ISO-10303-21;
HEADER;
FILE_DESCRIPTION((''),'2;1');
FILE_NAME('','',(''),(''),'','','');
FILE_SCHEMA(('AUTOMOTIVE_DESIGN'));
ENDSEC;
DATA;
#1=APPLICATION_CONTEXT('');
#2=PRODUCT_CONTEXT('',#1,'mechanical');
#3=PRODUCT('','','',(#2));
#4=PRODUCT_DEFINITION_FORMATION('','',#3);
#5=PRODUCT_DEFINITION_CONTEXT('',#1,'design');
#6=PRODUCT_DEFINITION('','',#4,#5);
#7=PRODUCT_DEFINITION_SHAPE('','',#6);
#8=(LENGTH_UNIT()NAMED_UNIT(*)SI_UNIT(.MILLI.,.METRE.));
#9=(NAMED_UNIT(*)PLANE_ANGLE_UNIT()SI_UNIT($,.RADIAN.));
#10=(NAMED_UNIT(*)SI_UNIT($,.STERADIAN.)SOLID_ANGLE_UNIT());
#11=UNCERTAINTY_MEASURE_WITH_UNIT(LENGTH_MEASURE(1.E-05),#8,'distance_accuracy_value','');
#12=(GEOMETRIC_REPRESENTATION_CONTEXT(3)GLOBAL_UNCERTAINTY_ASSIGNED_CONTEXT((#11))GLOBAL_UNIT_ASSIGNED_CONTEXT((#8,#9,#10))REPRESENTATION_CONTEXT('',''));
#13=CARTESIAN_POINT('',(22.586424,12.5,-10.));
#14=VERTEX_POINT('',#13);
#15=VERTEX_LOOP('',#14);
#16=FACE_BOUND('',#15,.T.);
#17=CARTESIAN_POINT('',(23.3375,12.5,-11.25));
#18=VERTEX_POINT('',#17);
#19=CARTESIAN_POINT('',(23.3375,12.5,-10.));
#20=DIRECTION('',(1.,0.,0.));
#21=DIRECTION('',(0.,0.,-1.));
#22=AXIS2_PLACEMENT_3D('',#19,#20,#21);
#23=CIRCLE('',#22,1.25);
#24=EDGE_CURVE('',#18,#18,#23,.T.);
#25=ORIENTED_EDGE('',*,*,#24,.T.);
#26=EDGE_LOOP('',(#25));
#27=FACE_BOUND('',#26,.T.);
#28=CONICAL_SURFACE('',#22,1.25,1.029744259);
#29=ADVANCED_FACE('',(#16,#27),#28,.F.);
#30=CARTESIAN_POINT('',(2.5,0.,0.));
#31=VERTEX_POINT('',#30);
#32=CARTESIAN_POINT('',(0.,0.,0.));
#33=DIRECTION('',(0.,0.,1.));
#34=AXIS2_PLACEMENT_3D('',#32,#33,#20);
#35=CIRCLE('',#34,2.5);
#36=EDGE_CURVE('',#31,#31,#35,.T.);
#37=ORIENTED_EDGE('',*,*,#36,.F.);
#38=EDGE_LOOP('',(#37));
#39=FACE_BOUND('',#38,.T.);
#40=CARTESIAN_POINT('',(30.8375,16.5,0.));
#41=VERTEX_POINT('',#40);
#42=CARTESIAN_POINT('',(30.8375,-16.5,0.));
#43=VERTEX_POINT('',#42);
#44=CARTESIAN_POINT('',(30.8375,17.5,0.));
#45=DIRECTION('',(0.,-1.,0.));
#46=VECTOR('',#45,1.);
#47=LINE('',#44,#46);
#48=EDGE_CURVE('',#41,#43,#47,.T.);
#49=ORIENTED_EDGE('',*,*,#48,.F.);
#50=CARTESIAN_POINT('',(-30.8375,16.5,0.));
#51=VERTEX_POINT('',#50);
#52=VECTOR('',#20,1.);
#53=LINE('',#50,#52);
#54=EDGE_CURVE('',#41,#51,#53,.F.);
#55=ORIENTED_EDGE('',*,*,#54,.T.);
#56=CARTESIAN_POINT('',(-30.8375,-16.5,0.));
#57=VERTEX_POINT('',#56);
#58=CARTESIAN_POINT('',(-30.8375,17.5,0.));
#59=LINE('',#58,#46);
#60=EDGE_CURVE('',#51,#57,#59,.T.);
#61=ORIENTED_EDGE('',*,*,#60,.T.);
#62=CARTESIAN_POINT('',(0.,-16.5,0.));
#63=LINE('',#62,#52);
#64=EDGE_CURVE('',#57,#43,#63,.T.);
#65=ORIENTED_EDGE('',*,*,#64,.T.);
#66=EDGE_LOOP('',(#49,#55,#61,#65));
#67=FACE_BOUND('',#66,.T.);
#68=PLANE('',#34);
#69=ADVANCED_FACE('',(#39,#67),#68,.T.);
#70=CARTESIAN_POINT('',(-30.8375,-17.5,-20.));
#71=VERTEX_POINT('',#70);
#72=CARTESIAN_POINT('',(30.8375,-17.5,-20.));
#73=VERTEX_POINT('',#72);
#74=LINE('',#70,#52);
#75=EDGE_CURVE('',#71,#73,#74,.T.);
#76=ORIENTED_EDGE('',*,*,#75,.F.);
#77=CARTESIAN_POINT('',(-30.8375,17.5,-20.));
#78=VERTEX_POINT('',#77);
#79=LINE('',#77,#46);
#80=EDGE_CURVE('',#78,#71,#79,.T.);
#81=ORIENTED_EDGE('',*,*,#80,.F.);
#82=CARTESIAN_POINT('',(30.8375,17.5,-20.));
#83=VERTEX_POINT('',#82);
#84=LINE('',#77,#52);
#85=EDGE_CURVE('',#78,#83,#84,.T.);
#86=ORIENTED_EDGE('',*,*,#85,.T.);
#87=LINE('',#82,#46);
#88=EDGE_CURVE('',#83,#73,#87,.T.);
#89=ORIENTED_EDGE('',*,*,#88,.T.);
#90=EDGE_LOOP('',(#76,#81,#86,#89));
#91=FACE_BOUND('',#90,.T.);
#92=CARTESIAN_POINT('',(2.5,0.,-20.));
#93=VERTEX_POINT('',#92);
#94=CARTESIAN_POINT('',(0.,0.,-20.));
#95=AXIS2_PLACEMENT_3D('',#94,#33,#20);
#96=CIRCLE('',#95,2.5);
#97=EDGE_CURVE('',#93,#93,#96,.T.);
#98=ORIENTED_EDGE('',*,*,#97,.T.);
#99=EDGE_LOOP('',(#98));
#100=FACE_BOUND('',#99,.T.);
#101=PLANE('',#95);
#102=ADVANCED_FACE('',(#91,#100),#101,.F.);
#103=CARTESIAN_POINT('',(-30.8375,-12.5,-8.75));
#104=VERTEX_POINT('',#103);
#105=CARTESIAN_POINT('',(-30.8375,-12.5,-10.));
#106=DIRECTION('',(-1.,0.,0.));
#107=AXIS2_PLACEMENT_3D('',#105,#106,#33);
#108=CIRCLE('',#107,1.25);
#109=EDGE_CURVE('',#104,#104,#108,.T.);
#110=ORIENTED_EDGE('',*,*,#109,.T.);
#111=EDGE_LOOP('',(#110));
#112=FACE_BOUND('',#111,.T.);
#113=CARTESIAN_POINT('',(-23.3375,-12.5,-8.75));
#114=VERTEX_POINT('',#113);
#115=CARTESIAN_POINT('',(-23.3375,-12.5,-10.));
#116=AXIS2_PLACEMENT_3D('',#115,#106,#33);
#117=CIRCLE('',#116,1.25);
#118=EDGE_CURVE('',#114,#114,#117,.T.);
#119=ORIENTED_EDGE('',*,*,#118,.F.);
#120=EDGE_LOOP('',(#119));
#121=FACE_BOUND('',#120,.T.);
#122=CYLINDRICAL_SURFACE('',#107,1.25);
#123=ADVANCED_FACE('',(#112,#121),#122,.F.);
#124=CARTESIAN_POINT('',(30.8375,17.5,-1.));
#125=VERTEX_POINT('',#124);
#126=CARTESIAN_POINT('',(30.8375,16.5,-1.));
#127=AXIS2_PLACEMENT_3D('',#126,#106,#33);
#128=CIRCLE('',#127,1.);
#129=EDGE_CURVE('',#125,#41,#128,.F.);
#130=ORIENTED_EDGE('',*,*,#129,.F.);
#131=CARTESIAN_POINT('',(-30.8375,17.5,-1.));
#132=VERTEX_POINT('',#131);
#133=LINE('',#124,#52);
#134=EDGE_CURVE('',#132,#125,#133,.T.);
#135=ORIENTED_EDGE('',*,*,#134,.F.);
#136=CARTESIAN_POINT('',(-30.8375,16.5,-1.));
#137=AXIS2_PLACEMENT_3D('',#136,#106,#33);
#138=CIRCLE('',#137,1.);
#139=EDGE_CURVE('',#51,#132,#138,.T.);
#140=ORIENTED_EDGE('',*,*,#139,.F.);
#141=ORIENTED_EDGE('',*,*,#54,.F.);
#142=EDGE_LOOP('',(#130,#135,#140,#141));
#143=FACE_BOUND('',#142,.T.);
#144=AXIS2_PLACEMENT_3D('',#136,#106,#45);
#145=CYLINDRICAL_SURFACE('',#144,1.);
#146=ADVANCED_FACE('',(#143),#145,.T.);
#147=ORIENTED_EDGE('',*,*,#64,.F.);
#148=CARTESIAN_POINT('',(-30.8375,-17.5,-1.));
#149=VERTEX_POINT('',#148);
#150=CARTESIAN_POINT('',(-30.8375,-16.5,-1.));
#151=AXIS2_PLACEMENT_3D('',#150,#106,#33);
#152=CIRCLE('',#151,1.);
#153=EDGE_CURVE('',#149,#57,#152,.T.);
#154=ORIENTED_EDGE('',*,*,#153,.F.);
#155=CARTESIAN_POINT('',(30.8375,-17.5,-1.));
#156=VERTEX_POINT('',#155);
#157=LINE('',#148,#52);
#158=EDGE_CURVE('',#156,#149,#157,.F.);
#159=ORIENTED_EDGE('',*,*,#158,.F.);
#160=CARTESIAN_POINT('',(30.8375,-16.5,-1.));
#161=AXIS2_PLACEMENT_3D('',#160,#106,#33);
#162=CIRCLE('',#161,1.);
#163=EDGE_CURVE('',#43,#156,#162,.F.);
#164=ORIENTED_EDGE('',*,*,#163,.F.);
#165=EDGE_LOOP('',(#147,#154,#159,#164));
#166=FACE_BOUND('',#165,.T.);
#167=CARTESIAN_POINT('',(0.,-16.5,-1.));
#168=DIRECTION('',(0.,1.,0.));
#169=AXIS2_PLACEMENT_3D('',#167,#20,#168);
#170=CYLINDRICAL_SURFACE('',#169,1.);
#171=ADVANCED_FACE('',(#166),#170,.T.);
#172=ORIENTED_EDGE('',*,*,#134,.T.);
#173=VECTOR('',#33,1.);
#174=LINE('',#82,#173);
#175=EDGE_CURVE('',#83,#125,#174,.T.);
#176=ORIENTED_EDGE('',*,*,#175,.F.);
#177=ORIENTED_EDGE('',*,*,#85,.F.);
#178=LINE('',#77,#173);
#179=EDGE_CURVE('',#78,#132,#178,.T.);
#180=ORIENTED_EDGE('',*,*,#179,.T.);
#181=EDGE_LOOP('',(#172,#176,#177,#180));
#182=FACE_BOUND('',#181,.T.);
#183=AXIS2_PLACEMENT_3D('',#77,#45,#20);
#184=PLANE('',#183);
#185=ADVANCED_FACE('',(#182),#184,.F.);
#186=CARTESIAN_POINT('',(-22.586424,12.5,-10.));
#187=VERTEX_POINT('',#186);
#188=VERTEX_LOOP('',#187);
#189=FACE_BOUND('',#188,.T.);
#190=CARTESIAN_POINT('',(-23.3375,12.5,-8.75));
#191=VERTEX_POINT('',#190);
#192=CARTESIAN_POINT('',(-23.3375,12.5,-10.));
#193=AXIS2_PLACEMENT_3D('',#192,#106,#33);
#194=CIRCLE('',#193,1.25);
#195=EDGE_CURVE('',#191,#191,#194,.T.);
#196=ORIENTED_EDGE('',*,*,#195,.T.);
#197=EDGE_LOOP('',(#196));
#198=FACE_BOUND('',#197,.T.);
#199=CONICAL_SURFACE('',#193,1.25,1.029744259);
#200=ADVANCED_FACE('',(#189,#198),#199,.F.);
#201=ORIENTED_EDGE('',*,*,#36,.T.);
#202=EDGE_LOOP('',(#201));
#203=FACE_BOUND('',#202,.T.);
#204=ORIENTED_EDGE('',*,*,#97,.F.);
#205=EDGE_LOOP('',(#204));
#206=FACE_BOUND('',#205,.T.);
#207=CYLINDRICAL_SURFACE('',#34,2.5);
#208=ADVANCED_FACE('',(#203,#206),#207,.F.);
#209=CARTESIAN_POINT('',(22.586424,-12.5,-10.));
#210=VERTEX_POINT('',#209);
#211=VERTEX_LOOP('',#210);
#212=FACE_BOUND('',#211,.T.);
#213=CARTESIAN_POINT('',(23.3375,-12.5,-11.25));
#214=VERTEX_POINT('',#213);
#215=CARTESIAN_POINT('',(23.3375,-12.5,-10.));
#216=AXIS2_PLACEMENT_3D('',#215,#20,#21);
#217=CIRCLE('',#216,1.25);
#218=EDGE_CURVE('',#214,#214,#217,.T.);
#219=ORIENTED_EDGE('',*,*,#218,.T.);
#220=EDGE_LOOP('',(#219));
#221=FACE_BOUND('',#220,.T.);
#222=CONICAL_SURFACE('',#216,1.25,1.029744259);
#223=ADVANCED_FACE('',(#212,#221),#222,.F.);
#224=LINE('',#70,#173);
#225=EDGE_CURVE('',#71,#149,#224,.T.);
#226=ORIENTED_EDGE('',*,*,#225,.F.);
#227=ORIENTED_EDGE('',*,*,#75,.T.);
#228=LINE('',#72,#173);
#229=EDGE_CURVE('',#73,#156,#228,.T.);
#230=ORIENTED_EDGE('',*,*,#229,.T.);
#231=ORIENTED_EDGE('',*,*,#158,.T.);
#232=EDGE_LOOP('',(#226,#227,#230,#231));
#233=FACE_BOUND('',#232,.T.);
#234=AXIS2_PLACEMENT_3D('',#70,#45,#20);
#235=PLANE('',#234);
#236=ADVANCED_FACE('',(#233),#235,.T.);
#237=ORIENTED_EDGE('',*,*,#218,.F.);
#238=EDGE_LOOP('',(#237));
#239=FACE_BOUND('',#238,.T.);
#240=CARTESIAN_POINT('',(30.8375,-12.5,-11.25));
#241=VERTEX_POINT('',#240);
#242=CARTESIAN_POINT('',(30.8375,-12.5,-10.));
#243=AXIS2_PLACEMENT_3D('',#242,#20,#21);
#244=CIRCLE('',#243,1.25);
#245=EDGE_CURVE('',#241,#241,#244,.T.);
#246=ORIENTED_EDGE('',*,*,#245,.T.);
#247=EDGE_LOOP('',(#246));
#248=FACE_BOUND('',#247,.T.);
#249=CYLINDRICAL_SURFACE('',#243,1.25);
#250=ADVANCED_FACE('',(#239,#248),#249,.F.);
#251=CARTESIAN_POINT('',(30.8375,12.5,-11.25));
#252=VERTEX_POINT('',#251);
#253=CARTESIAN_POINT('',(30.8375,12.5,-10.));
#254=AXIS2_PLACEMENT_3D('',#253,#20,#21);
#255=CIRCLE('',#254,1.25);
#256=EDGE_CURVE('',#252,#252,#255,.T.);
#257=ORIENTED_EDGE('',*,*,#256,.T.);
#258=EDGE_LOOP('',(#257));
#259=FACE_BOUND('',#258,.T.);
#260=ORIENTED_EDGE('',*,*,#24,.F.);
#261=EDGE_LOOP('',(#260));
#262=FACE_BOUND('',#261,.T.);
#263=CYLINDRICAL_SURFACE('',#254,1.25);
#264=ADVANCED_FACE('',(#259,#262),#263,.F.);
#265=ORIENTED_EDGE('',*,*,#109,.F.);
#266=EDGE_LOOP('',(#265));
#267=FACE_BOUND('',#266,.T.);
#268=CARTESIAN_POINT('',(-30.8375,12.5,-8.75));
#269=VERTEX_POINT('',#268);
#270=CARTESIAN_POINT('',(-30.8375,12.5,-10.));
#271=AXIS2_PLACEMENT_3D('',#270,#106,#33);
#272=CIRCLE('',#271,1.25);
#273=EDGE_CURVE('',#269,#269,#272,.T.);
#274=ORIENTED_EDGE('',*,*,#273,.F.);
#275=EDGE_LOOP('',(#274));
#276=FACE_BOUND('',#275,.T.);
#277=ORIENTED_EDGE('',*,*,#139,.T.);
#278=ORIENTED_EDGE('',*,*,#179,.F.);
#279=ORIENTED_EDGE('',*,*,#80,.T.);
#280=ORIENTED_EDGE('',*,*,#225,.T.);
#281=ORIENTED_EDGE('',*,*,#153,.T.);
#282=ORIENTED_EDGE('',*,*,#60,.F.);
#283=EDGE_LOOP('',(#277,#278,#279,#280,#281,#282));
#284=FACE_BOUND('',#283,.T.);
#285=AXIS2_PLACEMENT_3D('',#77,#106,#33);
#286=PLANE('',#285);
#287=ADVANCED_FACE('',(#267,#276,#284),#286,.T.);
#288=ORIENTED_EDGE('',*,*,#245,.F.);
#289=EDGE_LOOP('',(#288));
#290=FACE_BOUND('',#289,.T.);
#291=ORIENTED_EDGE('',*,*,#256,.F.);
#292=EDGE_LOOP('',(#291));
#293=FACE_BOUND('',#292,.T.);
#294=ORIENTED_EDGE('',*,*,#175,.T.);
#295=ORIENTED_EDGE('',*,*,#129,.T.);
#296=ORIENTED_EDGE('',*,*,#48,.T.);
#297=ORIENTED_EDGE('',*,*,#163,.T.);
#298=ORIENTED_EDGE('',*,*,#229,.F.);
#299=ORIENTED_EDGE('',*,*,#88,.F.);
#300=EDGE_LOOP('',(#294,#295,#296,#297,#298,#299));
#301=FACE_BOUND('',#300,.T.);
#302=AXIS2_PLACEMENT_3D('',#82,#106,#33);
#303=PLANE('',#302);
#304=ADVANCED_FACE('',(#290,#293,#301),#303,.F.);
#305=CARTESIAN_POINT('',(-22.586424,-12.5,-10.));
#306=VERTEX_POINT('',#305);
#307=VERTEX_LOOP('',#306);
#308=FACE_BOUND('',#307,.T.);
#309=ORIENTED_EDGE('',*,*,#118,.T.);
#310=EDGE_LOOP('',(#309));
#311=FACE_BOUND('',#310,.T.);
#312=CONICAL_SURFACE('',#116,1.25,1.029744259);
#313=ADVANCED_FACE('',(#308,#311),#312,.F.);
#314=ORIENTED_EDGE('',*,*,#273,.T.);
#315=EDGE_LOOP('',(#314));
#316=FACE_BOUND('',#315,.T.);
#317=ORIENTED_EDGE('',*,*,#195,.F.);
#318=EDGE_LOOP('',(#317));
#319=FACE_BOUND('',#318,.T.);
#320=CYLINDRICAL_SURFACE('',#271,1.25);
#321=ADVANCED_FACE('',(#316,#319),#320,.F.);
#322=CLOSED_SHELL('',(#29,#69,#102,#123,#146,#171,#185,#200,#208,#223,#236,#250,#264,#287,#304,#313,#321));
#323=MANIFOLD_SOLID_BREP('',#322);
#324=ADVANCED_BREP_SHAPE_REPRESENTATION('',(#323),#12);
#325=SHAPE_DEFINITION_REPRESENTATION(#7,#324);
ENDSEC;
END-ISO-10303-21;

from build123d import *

# Parameters (mm, degrees)
SKETCH2_W                            = 61.675
SKETCH2_H                            = 35
BOSS_EXTRUDE1_DEPTH                  = 20
TAP_DRILL_FOR_M6X1_0_TAP1_D          = 5
TAP_DRILL_FOR_M3X0_5_TAP1_AT_2_COUNT = 2
TAP_DRILL_FOR_M3X0_5_TAP1_AT_2_PITCH = 25
FILLET1_R                            = 1


with BuildPart() as part:
    # Sketch2 → Boss-Extrude1 (new body)
    with BuildSketch(Plane.XY):
        Rectangle(SKETCH2_W, SKETCH2_H)
    extrude(amount=-BOSS_EXTRUDE1_DEPTH)

    # Tap Drill for M6x1.0 Tap1 (through all)
    with Locations(Plane.XY):
        with Locations((0, 0)):
            Hole(TAP_DRILL_FOR_M6X1_0_TAP1_D / 2)

    # Sketch6 → Tap Drill for M3x0.5 Tap1 (revolve, cut)
    with BuildSketch(Plane(origin=(30.8375, 12.5, -10), x_dir=(0, 0, -1), z_dir=(0, 1, 0))):
        Polygon((0, 0), (0, 8.251075774), (1.25, 7.5), (1.25, 0), align=None)
    tap_drill_for_m3x0_5_tap1 = revolve(axis=Axis((37.1875, 12.5, -10), (-1, 0, 0)), mode=Mode.SUBTRACT)

    # Tap Drill for M3x0.5 Tap1 at 2: Tap Drill for M3x0.5 Tap1 ×2
    with Locations(*[(0, -i * TAP_DRILL_FOR_M3X0_5_TAP1_AT_2_PITCH, 0) for i in range(1, TAP_DRILL_FOR_M3X0_5_TAP1_AT_2_COUNT)]):
        add(tap_drill_for_m3x0_5_tap1, mode=Mode.SUBTRACT)

    # Mirror1: Tap Drill for M3x0.5 Tap1 across plane
    add(tap_drill_for_m3x0_5_tap1.mirror(Plane(origin=(0, 0, 0), x_dir=(0, 0, 1), z_dir=(1, 0, 0))), mode=Mode.SUBTRACT)

    # Mirror1 copy 1 sketch → Mirror1 copy 1 (revolve, cut)
    with BuildSketch(Plane(origin=(-30.8375, -12.5, -10), x_dir=(0, 0, -1), z_dir=(0, 1, 0))):
        Polygon((0, 0), (0, -8.251075774), (1.25, -7.5), (1.25, 0), align=None)
    revolve(axis=Axis((-37.1875, -12.5, -10), (-1, 0, 0)), mode=Mode.SUBTRACT)

    # Fillet1
    fillet1_edges = [part.edges().sort_by_distance(p)[0] for p in [
        (0, 17.5, 0),
        (0, -17.5, 0),
    ]]
    fillet(fillet1_edges, radius=FILLET1_R)


solid = part.part
